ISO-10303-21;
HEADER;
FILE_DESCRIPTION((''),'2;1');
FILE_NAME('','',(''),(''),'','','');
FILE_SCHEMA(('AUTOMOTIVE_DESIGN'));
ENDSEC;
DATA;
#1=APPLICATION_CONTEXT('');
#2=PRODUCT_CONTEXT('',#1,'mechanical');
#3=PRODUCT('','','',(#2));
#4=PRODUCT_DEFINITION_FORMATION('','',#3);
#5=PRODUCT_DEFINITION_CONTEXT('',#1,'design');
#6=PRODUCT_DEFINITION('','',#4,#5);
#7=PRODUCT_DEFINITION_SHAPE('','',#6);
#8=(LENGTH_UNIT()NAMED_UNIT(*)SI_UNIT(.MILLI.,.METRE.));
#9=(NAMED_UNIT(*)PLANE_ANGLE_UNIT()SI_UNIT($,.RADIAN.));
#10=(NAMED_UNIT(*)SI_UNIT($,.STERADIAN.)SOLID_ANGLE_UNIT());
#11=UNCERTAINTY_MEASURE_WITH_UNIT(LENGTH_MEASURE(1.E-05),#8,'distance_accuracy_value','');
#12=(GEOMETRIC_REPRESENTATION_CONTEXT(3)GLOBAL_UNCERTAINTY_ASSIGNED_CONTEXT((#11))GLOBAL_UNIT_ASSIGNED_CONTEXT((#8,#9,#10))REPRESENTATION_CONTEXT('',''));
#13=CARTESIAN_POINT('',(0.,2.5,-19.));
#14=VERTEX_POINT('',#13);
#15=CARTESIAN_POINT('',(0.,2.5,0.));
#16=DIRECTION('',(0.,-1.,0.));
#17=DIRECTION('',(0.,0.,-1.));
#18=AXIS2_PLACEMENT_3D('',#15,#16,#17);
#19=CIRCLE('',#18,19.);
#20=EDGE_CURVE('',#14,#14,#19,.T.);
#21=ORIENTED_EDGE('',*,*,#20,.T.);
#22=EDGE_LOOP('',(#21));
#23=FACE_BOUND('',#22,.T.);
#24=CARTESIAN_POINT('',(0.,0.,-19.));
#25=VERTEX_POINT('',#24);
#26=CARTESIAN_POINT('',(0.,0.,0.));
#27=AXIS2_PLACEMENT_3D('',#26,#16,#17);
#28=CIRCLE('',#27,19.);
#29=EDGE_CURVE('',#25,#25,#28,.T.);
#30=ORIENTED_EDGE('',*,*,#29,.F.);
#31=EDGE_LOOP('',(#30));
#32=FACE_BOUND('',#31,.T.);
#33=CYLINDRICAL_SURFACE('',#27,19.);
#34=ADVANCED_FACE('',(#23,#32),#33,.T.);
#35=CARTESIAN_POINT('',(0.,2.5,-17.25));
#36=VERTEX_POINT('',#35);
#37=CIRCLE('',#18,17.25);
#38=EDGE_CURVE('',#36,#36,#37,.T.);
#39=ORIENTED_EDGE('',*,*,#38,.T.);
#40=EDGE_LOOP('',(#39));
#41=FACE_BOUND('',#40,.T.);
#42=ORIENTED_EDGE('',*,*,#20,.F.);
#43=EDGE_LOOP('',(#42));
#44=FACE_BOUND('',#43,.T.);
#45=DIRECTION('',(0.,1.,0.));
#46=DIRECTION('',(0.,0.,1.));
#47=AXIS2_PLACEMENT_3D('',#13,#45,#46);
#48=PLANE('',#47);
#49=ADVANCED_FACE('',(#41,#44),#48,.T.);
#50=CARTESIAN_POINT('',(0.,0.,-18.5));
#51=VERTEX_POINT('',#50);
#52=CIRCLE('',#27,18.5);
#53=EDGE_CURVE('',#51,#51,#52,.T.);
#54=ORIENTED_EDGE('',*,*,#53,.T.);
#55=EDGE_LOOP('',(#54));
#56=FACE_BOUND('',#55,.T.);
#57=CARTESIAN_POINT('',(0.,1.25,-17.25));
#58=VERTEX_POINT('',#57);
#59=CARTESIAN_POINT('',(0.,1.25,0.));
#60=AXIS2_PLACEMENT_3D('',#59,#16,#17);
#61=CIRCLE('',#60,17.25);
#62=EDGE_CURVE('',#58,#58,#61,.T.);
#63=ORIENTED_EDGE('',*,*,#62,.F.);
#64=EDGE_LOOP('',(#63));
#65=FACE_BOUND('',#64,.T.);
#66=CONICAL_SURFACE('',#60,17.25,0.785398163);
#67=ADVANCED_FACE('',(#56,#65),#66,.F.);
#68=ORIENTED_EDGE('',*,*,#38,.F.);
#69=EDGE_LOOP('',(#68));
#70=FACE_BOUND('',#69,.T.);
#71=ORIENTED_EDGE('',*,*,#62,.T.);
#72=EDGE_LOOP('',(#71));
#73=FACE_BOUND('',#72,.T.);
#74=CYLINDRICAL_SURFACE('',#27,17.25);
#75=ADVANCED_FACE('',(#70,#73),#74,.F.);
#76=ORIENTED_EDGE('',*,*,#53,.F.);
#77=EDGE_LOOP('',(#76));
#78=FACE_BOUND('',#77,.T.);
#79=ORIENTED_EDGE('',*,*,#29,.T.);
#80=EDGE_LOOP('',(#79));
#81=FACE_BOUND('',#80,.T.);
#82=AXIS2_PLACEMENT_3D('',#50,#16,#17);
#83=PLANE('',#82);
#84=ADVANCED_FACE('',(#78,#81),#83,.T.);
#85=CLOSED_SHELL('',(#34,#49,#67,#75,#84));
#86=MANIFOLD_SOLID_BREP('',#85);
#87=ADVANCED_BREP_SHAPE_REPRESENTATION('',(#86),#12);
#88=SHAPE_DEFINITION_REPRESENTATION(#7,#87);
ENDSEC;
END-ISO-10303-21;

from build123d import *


with BuildPart() as part:
    # Sketch1 → Revolve1 (revolve)
    with BuildSketch(Plane(origin=(0, 0, 0), x_dir=(0, 0, -1), z_dir=(1, 0, 0))):
        Polygon((18.5, 0), (19, 0), (19, 2.5), (17.25, 2.5), (17.25, 1.25), align=None)
    revolve(axis=Axis((0, 0, 0), (0, 1, 0)))


solid = part.part
